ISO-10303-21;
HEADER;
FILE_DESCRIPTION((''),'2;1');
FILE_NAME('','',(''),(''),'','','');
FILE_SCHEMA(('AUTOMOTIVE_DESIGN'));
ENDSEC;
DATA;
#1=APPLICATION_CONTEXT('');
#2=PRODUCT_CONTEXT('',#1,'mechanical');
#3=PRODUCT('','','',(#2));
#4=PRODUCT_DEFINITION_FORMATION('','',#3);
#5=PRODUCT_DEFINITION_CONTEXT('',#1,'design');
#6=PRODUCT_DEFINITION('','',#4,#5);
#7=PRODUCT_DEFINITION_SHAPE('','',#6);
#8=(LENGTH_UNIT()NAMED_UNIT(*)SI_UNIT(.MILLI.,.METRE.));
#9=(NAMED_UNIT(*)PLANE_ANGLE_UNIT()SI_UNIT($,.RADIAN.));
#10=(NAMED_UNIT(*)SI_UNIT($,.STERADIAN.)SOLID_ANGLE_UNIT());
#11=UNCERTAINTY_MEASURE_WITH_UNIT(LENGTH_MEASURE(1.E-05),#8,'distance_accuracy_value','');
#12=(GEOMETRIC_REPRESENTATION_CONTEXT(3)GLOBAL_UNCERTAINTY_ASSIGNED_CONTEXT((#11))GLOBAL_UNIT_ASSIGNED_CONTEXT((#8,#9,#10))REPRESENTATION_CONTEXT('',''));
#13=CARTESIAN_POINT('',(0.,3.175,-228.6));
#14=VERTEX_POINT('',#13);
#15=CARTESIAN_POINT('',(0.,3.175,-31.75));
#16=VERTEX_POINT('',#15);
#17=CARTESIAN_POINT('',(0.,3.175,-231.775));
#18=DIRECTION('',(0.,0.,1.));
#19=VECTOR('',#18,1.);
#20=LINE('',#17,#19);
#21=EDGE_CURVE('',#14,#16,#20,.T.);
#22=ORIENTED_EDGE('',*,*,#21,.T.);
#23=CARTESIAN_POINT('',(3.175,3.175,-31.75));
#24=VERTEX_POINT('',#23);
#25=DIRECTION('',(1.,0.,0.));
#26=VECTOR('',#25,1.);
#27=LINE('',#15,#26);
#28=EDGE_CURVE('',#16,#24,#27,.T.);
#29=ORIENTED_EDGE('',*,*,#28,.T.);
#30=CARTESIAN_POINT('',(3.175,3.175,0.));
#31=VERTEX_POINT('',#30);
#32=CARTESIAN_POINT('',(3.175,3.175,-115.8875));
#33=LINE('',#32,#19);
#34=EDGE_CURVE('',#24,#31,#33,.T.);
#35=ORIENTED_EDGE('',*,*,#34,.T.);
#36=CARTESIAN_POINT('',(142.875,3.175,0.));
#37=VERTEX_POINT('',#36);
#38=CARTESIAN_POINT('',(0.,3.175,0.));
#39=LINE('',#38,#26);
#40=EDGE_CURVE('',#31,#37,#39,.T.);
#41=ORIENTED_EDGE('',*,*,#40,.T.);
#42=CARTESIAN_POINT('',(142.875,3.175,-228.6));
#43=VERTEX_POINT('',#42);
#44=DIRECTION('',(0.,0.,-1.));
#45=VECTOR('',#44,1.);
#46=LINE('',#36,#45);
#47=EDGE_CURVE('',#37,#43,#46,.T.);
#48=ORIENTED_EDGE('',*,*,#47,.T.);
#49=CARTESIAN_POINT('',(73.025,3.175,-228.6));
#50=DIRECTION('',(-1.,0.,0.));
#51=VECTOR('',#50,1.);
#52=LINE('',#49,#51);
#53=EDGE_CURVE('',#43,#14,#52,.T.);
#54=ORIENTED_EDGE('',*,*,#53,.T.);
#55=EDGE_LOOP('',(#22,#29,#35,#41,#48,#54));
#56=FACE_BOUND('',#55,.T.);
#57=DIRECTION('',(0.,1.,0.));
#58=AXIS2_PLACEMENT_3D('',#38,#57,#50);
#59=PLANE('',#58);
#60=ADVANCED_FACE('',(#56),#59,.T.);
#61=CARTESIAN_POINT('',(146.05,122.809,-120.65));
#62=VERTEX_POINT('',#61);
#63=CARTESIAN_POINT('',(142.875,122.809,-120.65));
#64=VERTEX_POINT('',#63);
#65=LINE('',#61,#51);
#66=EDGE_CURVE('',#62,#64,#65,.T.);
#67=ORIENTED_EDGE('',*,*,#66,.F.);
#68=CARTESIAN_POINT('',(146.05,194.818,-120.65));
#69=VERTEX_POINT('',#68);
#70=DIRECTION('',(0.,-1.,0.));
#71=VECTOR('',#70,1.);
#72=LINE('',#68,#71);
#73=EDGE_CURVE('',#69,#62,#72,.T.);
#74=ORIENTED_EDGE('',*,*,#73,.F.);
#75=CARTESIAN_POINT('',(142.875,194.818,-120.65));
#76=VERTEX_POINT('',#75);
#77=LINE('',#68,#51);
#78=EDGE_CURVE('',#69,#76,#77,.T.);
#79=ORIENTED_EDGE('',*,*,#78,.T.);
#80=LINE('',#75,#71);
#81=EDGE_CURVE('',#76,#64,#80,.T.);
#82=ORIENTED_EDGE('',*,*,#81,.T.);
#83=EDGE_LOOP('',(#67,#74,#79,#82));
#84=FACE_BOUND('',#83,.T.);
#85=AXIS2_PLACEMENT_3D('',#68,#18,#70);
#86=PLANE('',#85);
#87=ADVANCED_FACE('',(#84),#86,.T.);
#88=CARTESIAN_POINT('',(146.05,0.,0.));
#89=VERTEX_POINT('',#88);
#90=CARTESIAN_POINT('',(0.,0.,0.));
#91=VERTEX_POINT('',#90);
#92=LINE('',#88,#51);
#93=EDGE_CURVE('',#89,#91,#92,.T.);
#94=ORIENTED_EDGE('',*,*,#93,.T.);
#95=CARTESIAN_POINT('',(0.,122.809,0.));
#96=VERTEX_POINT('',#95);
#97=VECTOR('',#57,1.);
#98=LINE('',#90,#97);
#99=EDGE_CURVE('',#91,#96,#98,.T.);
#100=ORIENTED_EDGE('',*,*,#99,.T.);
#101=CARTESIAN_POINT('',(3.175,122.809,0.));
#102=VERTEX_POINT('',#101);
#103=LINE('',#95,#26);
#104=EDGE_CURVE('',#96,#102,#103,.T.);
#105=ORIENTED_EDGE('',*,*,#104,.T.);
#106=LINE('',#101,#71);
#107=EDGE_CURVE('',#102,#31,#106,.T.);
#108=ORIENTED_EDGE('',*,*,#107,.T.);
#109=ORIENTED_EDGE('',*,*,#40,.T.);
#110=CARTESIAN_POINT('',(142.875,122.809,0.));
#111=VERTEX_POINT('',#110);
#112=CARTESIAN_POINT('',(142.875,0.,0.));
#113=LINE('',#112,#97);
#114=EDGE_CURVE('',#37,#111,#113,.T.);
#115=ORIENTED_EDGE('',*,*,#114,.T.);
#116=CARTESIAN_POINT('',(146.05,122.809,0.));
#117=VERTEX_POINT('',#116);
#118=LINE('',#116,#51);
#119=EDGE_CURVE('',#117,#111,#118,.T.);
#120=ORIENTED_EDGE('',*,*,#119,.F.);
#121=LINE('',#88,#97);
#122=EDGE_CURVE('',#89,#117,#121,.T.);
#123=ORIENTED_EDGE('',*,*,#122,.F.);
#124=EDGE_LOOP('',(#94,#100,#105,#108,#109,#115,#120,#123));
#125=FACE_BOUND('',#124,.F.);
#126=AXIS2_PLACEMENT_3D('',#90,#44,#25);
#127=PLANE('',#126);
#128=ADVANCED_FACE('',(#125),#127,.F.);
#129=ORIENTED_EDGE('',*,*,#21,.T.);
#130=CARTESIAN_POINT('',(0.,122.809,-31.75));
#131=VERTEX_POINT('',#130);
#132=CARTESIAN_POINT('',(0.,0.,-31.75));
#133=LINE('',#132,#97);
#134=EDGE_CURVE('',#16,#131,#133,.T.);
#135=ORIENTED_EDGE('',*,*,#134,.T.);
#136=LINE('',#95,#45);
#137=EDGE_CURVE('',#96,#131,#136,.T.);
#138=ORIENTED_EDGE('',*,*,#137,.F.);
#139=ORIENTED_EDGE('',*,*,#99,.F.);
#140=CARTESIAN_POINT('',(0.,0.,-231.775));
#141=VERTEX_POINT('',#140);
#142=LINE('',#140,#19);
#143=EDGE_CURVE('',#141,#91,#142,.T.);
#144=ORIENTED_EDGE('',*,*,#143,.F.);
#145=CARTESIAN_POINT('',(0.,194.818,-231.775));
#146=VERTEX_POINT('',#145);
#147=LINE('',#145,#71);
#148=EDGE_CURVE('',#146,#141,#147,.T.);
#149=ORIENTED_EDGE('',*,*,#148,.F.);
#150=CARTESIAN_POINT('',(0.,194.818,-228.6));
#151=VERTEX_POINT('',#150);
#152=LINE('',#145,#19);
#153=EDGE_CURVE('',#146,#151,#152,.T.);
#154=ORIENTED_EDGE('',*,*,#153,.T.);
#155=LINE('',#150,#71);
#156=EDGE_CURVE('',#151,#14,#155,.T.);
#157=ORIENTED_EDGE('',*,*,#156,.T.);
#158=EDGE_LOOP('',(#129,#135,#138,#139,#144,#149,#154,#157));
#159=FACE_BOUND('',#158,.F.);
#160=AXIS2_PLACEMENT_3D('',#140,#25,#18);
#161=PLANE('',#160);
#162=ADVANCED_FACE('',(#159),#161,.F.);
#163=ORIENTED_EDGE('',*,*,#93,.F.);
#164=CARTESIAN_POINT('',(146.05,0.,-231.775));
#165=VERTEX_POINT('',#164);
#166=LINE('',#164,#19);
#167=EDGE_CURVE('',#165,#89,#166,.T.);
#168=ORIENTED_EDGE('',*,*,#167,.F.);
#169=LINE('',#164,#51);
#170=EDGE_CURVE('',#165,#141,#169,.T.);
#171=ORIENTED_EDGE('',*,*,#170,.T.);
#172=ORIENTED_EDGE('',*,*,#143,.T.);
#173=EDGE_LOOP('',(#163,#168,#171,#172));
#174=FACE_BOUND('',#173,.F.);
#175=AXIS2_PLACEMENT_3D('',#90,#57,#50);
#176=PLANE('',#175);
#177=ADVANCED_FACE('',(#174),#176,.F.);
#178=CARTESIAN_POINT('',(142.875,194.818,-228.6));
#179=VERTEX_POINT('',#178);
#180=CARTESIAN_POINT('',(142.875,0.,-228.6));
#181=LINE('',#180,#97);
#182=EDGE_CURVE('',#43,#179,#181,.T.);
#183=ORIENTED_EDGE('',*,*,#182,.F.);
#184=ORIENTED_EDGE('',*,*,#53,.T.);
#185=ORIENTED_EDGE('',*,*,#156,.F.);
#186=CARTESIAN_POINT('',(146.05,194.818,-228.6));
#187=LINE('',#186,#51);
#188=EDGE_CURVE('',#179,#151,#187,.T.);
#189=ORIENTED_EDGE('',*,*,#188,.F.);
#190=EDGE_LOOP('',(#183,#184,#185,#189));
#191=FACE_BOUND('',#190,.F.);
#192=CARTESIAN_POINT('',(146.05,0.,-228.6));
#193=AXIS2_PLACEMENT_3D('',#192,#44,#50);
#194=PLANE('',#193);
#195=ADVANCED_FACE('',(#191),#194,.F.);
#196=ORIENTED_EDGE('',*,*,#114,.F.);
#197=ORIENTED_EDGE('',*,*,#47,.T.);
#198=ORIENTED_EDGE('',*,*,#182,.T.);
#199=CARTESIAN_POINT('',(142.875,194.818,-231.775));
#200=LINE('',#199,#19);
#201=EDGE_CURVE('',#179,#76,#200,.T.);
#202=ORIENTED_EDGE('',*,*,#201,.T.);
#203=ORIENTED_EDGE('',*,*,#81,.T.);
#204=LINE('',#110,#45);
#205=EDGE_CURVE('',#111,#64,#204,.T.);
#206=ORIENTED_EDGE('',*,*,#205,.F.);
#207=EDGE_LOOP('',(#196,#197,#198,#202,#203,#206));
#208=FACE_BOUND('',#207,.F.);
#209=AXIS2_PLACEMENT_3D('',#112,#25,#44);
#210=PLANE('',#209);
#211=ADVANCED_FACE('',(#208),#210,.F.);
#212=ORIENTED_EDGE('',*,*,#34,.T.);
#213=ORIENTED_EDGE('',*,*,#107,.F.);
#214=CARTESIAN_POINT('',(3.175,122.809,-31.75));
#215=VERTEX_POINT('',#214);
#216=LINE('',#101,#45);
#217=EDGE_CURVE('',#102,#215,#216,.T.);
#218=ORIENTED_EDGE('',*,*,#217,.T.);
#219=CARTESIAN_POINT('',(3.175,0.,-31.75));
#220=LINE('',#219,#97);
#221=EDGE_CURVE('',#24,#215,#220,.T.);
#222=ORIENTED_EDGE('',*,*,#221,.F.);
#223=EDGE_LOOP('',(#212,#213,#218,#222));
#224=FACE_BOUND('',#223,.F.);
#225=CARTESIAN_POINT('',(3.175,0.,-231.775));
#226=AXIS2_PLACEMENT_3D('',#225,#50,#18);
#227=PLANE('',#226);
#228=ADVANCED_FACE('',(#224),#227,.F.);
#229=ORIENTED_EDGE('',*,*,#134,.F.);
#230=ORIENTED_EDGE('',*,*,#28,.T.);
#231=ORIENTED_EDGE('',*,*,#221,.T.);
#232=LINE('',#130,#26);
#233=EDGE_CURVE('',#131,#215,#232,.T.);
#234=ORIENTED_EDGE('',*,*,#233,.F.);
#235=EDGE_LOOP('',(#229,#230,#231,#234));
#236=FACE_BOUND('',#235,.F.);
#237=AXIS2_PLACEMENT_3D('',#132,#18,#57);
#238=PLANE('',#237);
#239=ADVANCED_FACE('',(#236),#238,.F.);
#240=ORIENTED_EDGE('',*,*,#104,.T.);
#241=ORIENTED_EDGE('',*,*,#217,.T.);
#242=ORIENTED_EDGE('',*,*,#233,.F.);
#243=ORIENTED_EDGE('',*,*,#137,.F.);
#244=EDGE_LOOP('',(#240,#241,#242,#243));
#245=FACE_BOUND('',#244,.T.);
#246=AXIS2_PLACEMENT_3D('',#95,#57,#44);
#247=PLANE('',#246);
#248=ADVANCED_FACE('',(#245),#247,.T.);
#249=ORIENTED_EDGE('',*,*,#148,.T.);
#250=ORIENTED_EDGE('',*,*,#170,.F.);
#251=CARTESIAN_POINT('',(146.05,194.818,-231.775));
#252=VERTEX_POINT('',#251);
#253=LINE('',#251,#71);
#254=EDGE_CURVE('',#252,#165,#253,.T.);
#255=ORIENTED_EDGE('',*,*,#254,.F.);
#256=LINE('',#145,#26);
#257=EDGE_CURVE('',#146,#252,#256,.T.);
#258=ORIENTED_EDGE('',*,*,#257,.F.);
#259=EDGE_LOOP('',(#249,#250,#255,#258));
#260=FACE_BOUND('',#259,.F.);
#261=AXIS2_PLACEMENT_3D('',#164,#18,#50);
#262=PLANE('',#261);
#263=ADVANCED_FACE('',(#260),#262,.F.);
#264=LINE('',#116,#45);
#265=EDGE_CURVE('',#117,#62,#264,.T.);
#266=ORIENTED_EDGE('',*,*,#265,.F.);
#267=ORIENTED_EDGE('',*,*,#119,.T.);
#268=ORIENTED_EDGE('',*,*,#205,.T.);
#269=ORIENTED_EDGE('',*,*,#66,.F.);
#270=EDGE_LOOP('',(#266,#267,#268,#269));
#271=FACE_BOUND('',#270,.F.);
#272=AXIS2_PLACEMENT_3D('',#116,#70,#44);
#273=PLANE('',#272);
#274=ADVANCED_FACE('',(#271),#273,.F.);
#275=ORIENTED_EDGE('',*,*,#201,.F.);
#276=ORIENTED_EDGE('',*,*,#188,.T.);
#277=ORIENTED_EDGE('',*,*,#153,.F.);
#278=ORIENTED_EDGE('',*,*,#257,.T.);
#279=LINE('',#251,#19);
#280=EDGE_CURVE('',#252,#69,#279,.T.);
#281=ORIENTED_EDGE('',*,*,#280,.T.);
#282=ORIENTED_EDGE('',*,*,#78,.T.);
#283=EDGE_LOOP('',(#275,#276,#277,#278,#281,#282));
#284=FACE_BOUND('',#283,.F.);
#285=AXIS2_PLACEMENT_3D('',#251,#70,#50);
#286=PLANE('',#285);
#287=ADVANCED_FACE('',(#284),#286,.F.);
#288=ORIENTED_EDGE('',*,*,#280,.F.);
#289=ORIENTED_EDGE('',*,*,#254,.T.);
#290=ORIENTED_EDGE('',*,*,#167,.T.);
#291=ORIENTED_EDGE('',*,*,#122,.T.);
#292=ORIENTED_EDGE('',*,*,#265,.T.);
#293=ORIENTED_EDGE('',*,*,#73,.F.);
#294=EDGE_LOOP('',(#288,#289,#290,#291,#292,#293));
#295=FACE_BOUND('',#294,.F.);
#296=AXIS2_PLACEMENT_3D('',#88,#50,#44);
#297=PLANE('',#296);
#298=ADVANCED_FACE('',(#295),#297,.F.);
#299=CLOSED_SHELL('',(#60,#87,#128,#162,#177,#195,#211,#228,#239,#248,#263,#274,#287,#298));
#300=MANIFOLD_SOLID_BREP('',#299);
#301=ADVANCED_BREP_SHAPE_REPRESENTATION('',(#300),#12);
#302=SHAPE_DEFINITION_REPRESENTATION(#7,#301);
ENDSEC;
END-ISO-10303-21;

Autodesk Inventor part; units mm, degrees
ref_plane "YZ Plane" through (0, 0, 0) normal (1, 0, 0) x (0, 1, 0)
ref_plane "XZ Plane" through (0, 0, 0) normal (0, 1, 0) x (-1, 0, 0)
ref_plane "XY Plane" through (0, 0, 0) normal (0, 0, 1) x (1, 0, 0)
sketch "Sketch1" plane through (0, 0, 0) normal (0, 1, 0) x (-1, 0, 0)
  line L0 (0, 0) -> (-146.05, 0)
  line L1 (-146.05, 0) -> (-146.05, -231.775)
  line L2 (-146.05, -231.775) -> (0, -231.775)
  line L3 (0, -231.775) -> (0, 0)
  dimension "d0" = 146.05
  dimension "d1" = 231.775
extrude "Extrusion1" add sketch "Sketch1" along normal blind 3.175
sketch "Sketch2" plane through (146.05, 0, 0) normal (1, 0, 0) x (0, 0, -1)
  line L0 (0, 0) -> (231.775, 0) projected
  line L1 (231.775, 0) -> (231.775, 194.818)
  line L2 (231.775, 194.818) -> (120.65, 194.818)
  line L3 (120.65, 194.818) -> (120.65, 122.809)
  line L4 (0, 0) -> (0, 122.809)
  line L5 (0, 122.809) -> (120.65, 122.809)
  dimension "d4" = 194.818
  dimension "d5" = 111.125
  dimension "d6" = 72.009
  dimension "d7" = 122.809
extrude "Extrusion2" add sketch "Sketch2" against normal blind 3.175
sketch "Sketch3" plane through (146.05, 0, -231.775) normal (0, 0, -1) x (-1, 0, 0)
  line L0 (0, 0) -> (0, 194.818) projected
  line L1 (0, 194.818) -> (146.05, 194.818)
  line L2 (146.05, 194.818) -> (146.05, 0)
  line L3 (146.05, 0) -> (0, 0)
  line L4 (0, 0) -> (0, 194.818)
extrude "Extrusion3" add sketch "Sketch3" against normal blind 3.175
sketch "Sketch4" plane through (0, 0, -231.775) normal (-1, 0, 0) x (0, 0, 1)
  line L0 (231.775, 0) -> (231.775, 3.175) projected
  line L1 (231.775, 122.809) -> (111.125, 122.809) projected
  line L2 (231.775, 0) -> (200.025, 0)
  line L3 (200.025, 0) -> (200.025, 122.809)
  line L4 (200.025, 122.809) -> (231.775, 122.809)
  line L5 (231.775, 122.809) -> (231.775, 0)
  dimension "d12" = 31.75
extrude "Extrusion4" add sketch "Sketch4" against normal blind 3.175
properties part number "Shooting_Case"
